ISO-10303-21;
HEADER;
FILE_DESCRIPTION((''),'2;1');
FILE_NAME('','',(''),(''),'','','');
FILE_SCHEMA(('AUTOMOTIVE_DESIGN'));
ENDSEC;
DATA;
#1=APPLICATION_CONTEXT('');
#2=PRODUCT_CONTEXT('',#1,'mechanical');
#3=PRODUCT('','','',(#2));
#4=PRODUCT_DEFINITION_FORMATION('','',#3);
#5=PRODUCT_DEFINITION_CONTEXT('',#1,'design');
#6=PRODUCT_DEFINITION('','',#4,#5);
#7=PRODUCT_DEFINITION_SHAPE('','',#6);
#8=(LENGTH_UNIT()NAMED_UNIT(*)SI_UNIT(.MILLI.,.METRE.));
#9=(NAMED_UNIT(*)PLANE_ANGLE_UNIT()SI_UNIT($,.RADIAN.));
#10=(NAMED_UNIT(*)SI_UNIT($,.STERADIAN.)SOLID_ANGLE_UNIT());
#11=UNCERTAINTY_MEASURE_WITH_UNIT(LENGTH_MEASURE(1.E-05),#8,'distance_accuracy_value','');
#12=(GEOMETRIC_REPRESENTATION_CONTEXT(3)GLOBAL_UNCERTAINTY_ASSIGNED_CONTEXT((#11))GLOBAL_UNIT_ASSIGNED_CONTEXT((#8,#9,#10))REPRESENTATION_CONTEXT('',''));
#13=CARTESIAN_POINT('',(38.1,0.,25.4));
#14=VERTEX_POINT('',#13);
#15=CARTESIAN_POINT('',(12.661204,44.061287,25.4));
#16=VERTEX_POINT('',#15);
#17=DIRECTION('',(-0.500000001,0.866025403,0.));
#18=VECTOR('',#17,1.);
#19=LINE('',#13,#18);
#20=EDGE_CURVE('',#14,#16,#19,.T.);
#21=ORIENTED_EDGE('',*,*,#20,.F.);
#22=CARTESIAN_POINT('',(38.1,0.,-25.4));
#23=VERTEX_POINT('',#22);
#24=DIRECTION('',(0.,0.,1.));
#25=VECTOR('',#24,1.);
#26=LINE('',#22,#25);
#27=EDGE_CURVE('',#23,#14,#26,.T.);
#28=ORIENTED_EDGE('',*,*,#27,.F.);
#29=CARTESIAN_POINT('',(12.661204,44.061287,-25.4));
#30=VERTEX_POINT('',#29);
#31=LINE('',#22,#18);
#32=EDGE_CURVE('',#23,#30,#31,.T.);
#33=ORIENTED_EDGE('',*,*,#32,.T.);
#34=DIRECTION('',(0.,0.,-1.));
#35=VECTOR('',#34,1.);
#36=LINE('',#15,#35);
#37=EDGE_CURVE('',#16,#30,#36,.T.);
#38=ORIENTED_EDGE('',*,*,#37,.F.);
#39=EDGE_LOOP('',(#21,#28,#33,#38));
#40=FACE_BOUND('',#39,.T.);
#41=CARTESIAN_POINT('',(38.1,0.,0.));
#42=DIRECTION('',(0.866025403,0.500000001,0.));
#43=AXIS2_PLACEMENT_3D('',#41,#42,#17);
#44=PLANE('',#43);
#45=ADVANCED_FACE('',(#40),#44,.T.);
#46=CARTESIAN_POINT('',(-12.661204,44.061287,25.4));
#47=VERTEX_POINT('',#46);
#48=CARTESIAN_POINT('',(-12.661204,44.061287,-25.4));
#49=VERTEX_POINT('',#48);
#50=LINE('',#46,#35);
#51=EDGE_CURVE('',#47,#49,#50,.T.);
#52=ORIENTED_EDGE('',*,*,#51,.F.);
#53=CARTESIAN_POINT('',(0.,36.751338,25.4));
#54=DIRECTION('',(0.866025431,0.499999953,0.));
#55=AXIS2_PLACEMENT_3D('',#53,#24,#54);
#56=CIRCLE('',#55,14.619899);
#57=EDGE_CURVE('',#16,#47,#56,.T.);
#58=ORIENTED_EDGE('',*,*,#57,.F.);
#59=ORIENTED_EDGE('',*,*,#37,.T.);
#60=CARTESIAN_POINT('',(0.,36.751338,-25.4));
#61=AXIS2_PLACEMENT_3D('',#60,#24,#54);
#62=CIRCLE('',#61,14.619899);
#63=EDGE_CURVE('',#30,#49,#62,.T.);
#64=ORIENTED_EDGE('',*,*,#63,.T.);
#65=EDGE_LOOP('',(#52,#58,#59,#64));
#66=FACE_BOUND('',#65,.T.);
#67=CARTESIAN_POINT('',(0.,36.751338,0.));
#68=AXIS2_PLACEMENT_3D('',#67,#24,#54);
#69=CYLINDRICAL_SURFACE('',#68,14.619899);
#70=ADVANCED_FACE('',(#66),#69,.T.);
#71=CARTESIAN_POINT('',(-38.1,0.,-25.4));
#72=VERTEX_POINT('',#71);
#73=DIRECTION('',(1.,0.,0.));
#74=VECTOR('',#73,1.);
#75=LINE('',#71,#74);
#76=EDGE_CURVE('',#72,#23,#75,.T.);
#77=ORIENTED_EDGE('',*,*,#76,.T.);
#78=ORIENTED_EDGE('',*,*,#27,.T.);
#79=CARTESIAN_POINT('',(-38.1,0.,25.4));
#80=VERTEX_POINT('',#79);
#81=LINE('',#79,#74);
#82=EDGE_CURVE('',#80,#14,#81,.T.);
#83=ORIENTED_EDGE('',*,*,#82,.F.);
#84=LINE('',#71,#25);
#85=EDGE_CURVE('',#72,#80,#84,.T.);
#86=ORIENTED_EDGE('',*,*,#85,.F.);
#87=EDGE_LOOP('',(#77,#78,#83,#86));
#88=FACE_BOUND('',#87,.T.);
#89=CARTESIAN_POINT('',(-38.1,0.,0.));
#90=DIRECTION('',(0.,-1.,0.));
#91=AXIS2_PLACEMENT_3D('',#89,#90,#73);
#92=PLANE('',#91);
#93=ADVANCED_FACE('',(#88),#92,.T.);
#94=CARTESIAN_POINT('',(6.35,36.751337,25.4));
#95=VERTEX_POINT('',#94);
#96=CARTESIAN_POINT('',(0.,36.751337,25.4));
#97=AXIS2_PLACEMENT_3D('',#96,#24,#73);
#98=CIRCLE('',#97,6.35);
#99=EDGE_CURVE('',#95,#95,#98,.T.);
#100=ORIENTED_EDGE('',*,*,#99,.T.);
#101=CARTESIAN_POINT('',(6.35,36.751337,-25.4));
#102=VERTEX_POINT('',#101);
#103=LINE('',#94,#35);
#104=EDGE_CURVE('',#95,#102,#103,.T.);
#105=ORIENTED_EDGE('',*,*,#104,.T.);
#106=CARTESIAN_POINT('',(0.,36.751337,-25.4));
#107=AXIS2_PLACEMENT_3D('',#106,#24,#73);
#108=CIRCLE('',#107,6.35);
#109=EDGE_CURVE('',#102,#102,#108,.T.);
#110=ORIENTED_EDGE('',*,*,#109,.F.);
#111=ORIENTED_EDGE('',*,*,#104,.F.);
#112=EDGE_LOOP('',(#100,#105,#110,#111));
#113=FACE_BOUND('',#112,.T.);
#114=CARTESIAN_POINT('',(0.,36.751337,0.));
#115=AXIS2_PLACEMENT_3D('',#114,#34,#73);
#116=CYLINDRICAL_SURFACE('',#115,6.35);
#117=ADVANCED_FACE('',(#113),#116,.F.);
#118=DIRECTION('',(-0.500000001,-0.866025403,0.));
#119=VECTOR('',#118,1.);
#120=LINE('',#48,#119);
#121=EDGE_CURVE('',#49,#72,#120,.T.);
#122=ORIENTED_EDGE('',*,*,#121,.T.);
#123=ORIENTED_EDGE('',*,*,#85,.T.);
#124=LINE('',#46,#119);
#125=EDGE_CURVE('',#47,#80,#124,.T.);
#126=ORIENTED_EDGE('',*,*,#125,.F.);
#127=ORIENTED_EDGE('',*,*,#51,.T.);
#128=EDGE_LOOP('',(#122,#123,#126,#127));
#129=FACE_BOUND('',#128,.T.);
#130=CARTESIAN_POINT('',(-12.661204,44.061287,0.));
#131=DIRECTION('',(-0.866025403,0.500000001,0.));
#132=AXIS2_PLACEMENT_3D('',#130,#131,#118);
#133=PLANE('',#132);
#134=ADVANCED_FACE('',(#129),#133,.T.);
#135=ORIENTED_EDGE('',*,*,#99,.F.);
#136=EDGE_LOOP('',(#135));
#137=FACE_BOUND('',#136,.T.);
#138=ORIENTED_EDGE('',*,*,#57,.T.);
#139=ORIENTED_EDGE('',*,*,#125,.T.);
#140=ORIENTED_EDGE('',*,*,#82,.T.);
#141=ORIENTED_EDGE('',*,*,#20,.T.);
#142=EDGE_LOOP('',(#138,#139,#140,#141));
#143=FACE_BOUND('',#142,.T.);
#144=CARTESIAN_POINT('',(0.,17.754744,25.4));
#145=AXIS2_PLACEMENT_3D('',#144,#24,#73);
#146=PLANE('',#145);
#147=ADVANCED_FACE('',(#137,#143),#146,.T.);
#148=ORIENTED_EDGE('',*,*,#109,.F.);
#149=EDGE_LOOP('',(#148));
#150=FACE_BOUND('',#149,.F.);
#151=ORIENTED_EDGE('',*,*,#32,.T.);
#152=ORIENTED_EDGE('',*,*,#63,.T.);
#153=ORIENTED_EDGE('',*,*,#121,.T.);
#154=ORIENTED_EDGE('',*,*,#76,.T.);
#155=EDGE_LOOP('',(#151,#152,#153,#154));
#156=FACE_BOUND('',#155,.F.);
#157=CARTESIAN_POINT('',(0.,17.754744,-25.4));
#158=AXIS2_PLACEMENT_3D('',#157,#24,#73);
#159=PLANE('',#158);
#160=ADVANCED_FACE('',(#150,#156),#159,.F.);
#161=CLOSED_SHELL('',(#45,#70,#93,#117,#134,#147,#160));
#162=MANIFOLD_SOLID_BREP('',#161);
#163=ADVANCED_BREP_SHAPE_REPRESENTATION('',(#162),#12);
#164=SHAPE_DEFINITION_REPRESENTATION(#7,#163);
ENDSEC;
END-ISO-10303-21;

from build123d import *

# Parameters (mm, degrees)
F0_R     = 6.35
F1_DEPTH = 25.4


with BuildPart() as f1:
    # F0 (on Top) → F1 (new body, symmetric)
    with BuildSketch(Plane.XY):
        with BuildLine():
            Line((-12.661204, 44.061287), (-38.1, 0))
            Line((-38.1, 0), (38.1, 0))
            Line((38.1, 0), (12.661204, 44.061287))
            ThreePointArc((12.661204, 44.061287), (0, 51.371237), (-12.661204, 44.061287))
        make_face()
        with Locations((0, 36.751337)):
            Circle(F0_R, mode=Mode.SUBTRACT)
    extrude(amount=F1_DEPTH, both=True)


solid = f1.part
